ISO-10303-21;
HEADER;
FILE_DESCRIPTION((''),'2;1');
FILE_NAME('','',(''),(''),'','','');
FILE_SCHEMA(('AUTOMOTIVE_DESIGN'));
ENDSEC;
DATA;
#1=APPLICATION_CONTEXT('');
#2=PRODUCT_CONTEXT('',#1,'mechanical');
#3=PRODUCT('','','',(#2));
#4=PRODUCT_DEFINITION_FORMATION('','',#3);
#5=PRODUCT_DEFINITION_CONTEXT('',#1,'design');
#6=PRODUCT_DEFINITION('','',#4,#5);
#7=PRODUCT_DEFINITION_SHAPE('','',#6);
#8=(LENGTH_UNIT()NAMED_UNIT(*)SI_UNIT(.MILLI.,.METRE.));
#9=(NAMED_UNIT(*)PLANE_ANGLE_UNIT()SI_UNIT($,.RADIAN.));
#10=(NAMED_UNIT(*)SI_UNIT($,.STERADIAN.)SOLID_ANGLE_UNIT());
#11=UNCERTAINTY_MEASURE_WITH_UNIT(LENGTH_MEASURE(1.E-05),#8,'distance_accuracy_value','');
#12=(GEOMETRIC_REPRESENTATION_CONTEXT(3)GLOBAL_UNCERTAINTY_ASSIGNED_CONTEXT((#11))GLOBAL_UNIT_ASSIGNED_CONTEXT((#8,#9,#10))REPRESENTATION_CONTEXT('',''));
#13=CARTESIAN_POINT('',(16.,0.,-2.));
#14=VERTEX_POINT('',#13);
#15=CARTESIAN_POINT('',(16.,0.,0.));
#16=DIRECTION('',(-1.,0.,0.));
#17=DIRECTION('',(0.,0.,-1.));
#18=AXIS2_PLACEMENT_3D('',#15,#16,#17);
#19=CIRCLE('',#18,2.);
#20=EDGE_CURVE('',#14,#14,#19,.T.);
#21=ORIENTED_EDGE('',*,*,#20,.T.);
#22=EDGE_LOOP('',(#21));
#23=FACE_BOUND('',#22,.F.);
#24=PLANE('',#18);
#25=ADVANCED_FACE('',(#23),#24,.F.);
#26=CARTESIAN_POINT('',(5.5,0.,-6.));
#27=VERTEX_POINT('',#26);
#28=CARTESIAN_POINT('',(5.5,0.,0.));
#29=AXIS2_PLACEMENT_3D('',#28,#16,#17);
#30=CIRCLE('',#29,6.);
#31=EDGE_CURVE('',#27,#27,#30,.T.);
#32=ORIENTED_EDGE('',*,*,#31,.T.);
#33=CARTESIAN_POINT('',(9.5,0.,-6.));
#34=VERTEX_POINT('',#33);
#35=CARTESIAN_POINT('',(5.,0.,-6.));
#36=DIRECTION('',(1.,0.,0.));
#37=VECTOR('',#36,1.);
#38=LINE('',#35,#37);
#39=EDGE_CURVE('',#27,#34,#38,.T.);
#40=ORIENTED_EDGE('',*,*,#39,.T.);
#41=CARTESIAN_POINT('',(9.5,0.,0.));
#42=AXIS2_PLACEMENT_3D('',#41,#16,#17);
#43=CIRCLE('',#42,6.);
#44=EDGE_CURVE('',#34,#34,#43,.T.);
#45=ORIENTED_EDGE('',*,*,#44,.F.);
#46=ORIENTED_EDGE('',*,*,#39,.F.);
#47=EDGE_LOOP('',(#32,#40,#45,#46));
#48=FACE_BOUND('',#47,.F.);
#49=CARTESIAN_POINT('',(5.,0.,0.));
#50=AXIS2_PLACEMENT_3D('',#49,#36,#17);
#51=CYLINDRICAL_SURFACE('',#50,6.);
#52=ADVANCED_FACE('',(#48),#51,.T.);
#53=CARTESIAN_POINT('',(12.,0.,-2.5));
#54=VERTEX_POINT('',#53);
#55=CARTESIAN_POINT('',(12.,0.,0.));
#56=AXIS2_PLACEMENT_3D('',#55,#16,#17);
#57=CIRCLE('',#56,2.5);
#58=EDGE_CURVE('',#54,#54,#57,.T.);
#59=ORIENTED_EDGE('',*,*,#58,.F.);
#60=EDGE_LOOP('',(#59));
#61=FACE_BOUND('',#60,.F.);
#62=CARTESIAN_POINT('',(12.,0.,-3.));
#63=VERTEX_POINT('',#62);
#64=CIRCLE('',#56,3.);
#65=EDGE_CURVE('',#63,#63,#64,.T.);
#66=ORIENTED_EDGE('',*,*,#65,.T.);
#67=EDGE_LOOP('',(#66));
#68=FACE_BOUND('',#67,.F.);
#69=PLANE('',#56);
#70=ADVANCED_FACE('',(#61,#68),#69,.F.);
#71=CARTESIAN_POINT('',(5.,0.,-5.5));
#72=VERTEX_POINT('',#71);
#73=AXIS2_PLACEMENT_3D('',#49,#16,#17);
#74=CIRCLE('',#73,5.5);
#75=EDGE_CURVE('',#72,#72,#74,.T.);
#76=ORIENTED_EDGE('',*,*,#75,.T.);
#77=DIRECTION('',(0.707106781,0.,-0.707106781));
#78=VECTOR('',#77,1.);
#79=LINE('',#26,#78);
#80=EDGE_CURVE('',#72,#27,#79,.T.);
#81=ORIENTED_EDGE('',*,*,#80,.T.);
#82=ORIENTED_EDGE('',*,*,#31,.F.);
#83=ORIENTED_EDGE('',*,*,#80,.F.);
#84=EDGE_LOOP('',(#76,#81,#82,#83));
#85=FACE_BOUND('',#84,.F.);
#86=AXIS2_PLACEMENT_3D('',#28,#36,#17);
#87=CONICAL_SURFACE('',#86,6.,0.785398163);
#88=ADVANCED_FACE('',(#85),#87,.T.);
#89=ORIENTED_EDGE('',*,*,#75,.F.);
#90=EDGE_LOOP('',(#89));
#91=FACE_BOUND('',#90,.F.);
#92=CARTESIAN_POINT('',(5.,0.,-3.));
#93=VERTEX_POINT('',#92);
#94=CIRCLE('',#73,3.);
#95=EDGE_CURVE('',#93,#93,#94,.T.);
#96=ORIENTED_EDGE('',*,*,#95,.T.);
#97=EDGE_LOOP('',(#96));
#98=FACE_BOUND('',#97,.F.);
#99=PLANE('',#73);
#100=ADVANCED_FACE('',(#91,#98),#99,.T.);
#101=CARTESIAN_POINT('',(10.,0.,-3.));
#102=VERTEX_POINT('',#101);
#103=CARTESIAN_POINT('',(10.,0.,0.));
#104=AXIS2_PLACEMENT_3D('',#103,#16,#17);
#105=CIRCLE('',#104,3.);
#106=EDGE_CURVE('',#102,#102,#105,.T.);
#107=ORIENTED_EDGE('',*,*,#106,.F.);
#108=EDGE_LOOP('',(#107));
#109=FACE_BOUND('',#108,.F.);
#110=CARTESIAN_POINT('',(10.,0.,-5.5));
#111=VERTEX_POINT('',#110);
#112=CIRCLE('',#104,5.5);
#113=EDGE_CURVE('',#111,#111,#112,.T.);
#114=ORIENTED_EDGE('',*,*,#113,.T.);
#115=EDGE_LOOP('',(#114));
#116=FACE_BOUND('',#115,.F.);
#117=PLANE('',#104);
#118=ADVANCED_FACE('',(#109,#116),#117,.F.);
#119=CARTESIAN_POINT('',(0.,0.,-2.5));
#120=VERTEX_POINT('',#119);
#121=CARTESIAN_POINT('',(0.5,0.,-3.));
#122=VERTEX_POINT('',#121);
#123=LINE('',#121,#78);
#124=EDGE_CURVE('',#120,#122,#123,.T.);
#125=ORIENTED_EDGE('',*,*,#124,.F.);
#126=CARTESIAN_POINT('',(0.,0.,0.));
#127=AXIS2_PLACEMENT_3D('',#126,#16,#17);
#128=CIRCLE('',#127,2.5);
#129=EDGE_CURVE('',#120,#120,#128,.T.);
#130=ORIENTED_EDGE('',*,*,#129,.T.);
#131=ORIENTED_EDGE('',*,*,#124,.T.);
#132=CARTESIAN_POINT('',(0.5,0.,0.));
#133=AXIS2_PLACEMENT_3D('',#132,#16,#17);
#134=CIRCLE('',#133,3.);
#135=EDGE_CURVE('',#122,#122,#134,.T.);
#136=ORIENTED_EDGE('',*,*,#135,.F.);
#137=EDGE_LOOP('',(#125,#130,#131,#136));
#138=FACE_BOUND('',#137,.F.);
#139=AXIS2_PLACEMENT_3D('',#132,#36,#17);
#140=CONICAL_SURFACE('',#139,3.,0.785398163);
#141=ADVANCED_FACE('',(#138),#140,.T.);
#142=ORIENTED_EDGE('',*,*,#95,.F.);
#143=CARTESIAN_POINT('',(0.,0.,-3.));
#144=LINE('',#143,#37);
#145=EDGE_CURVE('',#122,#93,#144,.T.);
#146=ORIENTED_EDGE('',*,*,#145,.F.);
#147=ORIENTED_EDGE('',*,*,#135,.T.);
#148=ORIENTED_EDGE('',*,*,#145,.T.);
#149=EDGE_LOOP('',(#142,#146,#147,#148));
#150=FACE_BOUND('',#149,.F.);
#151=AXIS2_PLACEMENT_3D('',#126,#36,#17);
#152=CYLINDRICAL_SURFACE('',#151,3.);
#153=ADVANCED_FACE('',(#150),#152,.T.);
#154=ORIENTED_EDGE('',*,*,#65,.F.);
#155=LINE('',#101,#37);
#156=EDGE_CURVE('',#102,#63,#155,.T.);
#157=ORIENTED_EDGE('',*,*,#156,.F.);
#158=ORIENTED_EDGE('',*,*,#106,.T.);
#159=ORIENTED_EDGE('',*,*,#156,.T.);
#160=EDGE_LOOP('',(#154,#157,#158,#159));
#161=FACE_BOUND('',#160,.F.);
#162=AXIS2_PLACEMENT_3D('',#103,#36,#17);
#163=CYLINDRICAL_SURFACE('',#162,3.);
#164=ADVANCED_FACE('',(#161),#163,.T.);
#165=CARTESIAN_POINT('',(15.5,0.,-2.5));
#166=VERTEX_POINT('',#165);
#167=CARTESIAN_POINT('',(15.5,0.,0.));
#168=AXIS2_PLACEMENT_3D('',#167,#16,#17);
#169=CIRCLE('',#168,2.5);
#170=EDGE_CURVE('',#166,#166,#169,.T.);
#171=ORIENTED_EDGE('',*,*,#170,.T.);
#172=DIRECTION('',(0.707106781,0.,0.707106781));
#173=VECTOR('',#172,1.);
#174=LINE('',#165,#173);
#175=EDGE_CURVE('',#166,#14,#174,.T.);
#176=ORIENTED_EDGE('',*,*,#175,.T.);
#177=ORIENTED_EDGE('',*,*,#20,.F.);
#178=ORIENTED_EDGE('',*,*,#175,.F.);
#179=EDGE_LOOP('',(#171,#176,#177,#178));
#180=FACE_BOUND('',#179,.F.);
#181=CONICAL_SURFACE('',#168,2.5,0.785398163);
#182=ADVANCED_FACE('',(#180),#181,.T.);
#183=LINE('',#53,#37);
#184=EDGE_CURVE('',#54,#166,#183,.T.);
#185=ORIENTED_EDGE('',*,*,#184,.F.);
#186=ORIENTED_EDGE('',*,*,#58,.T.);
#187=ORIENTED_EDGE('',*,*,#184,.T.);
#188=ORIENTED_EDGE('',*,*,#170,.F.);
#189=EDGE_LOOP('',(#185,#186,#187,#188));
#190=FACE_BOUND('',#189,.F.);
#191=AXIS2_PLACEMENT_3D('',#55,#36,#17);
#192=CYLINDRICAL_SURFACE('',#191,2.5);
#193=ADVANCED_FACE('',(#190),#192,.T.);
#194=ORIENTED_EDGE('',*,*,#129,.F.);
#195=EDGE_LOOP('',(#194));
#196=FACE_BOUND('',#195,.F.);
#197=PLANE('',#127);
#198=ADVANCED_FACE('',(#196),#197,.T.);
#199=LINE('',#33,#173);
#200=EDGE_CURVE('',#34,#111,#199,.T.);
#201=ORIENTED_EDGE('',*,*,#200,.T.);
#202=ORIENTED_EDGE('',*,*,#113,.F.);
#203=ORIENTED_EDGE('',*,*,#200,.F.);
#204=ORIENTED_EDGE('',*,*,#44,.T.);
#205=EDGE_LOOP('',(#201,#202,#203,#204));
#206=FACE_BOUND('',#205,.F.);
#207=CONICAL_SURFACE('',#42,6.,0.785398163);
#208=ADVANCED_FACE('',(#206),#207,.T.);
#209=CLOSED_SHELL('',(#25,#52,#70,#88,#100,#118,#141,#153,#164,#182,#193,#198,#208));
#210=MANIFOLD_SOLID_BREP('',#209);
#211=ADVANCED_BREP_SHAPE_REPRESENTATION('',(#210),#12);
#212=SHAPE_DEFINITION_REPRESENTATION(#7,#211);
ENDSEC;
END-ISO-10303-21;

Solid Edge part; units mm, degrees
sketch "Sketch1" plane through (0, 0, 0) normal (0, -1, 0) x (1, 0, 0)
  line L0 (0, 0) -> (0, -3)
  line L1 (0, -3) -> (5, -3)
  line L2 (5, -3) -> (5, -6)
  line L3 (5, -6) -> (10, -6)
  line L4 (10, -6) -> (10, -3)
  line L5 (10, -3) -> (12, -3)
  line L6 (12, -3) -> (12, -2.5)
  line L7 (12, -2.5) -> (16, -2.5)
  line L8 (16, -2.5) -> (16, 0)
  dimension "D1" = 5
  dimension "D2" = 5
  dimension "D3" = 4
  dimension "D4" = 2
revolve "RevolvedProtrusion1" add sketch "Sketch1" angle 360 about axis through (14, 0, 0) along (-1, 0, 0)
chamfer "Chamfer1" distance 0.5 angle 45 4 edges at (0, 0, 3) (16, 0, 2.5) (5, 0, 6) (10, 0, 6)
properties material "Polyethylene, low density"
